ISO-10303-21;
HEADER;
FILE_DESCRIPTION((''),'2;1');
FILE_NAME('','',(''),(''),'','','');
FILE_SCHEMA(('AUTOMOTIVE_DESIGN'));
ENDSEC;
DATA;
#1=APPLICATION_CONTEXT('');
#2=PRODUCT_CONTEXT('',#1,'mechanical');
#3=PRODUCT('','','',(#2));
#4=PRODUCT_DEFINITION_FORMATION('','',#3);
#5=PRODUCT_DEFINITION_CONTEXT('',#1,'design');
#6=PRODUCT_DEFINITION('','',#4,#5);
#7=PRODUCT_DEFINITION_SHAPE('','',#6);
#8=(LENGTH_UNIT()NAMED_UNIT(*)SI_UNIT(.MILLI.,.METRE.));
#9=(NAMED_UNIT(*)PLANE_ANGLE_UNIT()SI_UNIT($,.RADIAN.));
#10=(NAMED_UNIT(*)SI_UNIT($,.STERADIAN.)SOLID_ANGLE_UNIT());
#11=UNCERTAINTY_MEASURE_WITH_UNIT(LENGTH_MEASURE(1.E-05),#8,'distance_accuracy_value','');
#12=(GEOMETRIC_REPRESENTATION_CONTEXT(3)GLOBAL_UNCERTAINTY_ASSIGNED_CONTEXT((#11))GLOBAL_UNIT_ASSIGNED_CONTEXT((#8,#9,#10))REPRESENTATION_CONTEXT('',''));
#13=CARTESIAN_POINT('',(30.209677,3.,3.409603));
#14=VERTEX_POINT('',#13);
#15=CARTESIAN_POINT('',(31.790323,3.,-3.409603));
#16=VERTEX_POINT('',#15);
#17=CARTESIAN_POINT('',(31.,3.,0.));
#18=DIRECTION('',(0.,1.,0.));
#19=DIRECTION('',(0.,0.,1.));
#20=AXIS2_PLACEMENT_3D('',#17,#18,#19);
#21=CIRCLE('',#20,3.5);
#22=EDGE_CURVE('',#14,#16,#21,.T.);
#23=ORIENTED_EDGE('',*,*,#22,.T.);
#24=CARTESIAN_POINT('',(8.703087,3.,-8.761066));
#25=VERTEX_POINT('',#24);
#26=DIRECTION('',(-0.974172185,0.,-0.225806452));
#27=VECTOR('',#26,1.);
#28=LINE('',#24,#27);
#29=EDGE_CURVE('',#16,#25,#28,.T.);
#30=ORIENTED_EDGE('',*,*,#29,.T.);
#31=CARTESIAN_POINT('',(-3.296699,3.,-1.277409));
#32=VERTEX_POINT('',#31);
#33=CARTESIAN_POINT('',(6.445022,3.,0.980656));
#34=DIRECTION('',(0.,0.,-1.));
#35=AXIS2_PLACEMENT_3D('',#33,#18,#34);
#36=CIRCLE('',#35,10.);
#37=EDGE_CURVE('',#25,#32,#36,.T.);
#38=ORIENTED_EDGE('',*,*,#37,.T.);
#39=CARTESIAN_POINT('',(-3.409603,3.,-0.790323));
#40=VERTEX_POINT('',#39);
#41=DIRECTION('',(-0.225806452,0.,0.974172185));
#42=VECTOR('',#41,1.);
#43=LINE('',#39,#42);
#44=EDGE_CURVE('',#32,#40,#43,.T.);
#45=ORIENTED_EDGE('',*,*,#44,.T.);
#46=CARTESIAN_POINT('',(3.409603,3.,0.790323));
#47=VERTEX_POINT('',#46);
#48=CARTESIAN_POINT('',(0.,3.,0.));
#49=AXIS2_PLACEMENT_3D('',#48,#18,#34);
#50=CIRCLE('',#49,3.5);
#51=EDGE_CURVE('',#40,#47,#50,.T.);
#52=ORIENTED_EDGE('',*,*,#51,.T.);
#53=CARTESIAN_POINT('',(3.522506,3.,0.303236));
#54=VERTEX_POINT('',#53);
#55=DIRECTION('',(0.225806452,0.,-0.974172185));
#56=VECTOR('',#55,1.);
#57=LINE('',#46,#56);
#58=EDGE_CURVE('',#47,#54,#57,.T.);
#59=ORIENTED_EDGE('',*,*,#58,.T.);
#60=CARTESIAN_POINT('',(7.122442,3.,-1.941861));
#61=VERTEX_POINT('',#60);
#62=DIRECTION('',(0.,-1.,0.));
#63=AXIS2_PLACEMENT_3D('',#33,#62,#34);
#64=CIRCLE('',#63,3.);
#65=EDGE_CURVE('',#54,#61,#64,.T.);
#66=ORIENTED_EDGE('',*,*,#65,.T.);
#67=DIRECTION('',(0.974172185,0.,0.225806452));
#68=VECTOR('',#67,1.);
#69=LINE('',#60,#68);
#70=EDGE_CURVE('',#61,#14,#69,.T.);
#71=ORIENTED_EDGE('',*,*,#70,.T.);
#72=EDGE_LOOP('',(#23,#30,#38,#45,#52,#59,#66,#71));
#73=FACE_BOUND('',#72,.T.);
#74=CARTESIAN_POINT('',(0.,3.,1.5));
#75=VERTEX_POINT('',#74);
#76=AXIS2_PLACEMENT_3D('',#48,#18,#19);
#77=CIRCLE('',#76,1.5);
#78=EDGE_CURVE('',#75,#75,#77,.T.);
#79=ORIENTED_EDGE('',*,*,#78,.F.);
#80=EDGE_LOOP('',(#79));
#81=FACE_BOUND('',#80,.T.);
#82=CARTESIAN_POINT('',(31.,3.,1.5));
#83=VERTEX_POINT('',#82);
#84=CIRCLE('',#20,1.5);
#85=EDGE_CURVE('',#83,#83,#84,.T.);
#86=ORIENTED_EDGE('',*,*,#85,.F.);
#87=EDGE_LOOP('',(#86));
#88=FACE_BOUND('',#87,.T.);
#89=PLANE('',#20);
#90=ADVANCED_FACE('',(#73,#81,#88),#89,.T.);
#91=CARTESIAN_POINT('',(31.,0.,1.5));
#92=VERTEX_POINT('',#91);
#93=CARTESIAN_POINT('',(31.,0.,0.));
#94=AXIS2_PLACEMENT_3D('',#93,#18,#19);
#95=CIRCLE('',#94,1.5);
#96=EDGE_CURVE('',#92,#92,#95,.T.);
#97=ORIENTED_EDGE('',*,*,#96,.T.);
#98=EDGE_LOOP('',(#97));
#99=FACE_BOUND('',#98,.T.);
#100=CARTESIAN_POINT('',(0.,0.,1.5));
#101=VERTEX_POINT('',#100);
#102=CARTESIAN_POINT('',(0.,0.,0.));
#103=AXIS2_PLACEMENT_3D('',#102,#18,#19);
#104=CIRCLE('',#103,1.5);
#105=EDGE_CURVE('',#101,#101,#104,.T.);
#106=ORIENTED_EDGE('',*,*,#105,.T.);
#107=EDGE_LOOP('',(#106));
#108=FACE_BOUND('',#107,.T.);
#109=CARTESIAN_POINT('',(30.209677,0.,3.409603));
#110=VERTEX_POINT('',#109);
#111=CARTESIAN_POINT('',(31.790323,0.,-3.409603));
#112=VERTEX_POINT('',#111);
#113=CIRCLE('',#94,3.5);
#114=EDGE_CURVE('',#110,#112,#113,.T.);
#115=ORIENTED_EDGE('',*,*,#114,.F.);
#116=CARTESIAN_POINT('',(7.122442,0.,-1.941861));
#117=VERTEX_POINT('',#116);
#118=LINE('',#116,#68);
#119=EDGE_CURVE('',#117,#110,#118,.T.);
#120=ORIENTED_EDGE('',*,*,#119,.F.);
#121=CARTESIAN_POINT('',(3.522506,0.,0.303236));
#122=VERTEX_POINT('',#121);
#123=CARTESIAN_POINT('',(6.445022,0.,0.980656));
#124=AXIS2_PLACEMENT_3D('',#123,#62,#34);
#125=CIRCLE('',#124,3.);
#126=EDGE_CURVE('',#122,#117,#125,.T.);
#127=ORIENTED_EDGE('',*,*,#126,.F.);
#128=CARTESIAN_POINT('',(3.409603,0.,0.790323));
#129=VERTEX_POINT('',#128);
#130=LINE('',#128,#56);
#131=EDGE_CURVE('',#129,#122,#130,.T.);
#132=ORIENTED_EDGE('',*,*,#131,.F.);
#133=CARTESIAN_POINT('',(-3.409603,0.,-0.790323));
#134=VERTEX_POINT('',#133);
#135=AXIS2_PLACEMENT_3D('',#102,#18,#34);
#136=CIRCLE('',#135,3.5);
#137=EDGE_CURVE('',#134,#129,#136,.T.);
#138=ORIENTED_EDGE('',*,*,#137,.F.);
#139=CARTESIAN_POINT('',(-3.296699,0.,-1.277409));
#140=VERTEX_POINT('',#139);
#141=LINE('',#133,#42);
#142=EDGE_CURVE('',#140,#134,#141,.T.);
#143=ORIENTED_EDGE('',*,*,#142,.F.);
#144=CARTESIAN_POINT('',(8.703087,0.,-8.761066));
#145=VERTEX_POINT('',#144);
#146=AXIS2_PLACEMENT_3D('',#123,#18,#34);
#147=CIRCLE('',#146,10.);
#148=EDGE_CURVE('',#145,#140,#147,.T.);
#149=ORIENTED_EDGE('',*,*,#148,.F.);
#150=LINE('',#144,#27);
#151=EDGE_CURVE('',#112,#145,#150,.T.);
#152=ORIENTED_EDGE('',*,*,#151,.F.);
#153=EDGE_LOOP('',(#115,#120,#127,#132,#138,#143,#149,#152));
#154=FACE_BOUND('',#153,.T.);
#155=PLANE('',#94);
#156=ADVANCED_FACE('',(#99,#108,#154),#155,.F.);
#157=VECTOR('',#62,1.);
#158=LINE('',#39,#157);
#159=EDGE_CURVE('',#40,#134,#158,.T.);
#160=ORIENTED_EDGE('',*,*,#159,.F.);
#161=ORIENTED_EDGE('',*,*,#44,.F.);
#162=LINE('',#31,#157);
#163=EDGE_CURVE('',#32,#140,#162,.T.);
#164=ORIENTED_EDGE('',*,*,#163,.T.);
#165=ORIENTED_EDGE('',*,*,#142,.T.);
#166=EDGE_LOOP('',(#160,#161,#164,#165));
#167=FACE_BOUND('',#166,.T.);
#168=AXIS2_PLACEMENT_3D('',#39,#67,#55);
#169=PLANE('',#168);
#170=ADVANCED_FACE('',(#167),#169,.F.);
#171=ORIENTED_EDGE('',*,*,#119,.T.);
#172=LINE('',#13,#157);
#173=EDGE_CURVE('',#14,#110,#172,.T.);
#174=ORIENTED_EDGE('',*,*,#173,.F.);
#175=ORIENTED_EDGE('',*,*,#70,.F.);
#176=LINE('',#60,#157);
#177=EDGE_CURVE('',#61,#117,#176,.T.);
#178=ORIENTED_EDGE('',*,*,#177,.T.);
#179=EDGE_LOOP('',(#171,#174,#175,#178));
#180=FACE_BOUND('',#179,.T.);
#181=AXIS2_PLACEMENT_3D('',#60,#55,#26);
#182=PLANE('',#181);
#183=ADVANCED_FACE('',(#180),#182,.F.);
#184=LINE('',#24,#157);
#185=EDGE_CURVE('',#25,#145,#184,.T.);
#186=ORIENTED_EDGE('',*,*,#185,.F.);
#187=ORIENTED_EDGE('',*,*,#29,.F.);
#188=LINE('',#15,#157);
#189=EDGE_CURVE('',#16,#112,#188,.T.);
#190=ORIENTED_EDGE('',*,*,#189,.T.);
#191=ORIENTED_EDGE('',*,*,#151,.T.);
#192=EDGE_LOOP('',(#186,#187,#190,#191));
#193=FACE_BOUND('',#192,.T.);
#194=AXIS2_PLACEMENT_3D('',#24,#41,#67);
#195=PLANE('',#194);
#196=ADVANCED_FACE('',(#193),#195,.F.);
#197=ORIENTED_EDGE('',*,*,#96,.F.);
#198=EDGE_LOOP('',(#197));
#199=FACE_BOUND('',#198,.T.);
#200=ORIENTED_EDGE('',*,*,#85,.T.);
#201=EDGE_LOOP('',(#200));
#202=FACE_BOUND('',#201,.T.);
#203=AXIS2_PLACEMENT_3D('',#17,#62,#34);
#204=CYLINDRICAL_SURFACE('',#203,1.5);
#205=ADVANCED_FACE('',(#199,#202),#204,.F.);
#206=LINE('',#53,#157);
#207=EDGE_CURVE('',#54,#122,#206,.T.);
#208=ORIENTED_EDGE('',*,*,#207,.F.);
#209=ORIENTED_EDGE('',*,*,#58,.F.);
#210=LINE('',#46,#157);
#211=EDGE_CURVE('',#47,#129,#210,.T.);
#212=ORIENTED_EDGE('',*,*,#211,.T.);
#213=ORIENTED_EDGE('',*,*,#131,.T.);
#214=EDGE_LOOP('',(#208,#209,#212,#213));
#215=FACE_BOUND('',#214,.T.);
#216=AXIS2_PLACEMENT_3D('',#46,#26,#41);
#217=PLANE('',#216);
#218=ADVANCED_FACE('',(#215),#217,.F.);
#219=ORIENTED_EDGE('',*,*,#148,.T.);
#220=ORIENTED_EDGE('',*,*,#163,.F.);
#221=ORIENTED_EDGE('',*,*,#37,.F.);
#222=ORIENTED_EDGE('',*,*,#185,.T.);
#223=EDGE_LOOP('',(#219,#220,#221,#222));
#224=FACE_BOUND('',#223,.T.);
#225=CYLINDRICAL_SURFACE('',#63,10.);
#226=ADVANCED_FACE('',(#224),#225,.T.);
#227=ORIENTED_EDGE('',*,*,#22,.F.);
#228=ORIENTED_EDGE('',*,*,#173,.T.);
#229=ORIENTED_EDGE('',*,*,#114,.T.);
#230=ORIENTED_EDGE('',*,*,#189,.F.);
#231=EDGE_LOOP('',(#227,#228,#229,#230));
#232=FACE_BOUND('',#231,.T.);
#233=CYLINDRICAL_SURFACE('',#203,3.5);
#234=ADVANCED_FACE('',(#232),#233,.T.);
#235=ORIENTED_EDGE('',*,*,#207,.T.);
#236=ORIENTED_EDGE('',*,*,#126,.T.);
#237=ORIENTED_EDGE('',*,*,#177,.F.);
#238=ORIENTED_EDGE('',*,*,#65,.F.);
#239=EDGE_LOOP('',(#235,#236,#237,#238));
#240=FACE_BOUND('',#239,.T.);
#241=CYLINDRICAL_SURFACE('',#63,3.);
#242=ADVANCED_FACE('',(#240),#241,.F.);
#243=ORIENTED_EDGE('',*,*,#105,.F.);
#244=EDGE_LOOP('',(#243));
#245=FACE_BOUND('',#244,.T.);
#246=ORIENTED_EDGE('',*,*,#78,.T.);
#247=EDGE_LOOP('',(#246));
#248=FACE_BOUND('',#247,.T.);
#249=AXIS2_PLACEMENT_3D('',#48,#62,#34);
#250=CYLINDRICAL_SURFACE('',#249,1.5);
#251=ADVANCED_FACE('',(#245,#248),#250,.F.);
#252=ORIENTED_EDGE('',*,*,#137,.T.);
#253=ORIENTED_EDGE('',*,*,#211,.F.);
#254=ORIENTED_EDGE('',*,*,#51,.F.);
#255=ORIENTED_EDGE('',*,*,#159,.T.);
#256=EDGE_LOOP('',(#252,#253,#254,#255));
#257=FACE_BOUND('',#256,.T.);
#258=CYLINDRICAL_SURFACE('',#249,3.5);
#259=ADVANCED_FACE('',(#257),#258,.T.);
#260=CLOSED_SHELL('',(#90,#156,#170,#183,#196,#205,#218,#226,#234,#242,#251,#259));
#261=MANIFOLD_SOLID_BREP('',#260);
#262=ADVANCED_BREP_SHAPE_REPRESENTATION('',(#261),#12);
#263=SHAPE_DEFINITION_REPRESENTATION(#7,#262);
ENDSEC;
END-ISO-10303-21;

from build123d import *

# Parameters (mm, degrees)
SKETCH1_R           = 1.5
BOSS_EXTRUDE1_DEPTH = 3


with BuildPart() as part:
    # Sketch1 → Boss-Extrude1 (new body)
    with BuildSketch(Plane(origin=(0, 0, 0), x_dir=(1, 0, 0), z_dir=(0, 1, 0))):
        with BuildLine():
            Line((3.409602648, -0.790322581), (3.522505874, -0.303236488))
            ThreePointArc((3.522505874, -0.303236488), (4.857498975, 1.564883251), (7.122441784, 1.941860713))
            Line((7.122441784, 1.941860713), (30.209677419, -3.409602648))
            ThreePointArc((30.209677419, -3.409602648), (34.409602648, -0.790322581), (31.790322581, 3.409602648))
            Line((31.790322581, 3.409602648), (8.703086946, 8.761066009))
            ThreePointArc((8.703086946, 8.761066009), (1.153277579, 7.504474471), (-3.296699422, 1.277408673))
            Line((-3.296699422, 1.277408673), (-3.409602648, 0.790322581))
            ThreePointArc((-3.409602648, 0.790322581), (-0.790322581, -3.409602648), (3.409602648, -0.790322581))
        make_face()
        Circle(SKETCH1_R, mode=Mode.SUBTRACT)
        with Locations((31, 0)):
            Circle(SKETCH1_R, mode=Mode.SUBTRACT)
    extrude(amount=BOSS_EXTRUDE1_DEPTH)


solid = part.part
